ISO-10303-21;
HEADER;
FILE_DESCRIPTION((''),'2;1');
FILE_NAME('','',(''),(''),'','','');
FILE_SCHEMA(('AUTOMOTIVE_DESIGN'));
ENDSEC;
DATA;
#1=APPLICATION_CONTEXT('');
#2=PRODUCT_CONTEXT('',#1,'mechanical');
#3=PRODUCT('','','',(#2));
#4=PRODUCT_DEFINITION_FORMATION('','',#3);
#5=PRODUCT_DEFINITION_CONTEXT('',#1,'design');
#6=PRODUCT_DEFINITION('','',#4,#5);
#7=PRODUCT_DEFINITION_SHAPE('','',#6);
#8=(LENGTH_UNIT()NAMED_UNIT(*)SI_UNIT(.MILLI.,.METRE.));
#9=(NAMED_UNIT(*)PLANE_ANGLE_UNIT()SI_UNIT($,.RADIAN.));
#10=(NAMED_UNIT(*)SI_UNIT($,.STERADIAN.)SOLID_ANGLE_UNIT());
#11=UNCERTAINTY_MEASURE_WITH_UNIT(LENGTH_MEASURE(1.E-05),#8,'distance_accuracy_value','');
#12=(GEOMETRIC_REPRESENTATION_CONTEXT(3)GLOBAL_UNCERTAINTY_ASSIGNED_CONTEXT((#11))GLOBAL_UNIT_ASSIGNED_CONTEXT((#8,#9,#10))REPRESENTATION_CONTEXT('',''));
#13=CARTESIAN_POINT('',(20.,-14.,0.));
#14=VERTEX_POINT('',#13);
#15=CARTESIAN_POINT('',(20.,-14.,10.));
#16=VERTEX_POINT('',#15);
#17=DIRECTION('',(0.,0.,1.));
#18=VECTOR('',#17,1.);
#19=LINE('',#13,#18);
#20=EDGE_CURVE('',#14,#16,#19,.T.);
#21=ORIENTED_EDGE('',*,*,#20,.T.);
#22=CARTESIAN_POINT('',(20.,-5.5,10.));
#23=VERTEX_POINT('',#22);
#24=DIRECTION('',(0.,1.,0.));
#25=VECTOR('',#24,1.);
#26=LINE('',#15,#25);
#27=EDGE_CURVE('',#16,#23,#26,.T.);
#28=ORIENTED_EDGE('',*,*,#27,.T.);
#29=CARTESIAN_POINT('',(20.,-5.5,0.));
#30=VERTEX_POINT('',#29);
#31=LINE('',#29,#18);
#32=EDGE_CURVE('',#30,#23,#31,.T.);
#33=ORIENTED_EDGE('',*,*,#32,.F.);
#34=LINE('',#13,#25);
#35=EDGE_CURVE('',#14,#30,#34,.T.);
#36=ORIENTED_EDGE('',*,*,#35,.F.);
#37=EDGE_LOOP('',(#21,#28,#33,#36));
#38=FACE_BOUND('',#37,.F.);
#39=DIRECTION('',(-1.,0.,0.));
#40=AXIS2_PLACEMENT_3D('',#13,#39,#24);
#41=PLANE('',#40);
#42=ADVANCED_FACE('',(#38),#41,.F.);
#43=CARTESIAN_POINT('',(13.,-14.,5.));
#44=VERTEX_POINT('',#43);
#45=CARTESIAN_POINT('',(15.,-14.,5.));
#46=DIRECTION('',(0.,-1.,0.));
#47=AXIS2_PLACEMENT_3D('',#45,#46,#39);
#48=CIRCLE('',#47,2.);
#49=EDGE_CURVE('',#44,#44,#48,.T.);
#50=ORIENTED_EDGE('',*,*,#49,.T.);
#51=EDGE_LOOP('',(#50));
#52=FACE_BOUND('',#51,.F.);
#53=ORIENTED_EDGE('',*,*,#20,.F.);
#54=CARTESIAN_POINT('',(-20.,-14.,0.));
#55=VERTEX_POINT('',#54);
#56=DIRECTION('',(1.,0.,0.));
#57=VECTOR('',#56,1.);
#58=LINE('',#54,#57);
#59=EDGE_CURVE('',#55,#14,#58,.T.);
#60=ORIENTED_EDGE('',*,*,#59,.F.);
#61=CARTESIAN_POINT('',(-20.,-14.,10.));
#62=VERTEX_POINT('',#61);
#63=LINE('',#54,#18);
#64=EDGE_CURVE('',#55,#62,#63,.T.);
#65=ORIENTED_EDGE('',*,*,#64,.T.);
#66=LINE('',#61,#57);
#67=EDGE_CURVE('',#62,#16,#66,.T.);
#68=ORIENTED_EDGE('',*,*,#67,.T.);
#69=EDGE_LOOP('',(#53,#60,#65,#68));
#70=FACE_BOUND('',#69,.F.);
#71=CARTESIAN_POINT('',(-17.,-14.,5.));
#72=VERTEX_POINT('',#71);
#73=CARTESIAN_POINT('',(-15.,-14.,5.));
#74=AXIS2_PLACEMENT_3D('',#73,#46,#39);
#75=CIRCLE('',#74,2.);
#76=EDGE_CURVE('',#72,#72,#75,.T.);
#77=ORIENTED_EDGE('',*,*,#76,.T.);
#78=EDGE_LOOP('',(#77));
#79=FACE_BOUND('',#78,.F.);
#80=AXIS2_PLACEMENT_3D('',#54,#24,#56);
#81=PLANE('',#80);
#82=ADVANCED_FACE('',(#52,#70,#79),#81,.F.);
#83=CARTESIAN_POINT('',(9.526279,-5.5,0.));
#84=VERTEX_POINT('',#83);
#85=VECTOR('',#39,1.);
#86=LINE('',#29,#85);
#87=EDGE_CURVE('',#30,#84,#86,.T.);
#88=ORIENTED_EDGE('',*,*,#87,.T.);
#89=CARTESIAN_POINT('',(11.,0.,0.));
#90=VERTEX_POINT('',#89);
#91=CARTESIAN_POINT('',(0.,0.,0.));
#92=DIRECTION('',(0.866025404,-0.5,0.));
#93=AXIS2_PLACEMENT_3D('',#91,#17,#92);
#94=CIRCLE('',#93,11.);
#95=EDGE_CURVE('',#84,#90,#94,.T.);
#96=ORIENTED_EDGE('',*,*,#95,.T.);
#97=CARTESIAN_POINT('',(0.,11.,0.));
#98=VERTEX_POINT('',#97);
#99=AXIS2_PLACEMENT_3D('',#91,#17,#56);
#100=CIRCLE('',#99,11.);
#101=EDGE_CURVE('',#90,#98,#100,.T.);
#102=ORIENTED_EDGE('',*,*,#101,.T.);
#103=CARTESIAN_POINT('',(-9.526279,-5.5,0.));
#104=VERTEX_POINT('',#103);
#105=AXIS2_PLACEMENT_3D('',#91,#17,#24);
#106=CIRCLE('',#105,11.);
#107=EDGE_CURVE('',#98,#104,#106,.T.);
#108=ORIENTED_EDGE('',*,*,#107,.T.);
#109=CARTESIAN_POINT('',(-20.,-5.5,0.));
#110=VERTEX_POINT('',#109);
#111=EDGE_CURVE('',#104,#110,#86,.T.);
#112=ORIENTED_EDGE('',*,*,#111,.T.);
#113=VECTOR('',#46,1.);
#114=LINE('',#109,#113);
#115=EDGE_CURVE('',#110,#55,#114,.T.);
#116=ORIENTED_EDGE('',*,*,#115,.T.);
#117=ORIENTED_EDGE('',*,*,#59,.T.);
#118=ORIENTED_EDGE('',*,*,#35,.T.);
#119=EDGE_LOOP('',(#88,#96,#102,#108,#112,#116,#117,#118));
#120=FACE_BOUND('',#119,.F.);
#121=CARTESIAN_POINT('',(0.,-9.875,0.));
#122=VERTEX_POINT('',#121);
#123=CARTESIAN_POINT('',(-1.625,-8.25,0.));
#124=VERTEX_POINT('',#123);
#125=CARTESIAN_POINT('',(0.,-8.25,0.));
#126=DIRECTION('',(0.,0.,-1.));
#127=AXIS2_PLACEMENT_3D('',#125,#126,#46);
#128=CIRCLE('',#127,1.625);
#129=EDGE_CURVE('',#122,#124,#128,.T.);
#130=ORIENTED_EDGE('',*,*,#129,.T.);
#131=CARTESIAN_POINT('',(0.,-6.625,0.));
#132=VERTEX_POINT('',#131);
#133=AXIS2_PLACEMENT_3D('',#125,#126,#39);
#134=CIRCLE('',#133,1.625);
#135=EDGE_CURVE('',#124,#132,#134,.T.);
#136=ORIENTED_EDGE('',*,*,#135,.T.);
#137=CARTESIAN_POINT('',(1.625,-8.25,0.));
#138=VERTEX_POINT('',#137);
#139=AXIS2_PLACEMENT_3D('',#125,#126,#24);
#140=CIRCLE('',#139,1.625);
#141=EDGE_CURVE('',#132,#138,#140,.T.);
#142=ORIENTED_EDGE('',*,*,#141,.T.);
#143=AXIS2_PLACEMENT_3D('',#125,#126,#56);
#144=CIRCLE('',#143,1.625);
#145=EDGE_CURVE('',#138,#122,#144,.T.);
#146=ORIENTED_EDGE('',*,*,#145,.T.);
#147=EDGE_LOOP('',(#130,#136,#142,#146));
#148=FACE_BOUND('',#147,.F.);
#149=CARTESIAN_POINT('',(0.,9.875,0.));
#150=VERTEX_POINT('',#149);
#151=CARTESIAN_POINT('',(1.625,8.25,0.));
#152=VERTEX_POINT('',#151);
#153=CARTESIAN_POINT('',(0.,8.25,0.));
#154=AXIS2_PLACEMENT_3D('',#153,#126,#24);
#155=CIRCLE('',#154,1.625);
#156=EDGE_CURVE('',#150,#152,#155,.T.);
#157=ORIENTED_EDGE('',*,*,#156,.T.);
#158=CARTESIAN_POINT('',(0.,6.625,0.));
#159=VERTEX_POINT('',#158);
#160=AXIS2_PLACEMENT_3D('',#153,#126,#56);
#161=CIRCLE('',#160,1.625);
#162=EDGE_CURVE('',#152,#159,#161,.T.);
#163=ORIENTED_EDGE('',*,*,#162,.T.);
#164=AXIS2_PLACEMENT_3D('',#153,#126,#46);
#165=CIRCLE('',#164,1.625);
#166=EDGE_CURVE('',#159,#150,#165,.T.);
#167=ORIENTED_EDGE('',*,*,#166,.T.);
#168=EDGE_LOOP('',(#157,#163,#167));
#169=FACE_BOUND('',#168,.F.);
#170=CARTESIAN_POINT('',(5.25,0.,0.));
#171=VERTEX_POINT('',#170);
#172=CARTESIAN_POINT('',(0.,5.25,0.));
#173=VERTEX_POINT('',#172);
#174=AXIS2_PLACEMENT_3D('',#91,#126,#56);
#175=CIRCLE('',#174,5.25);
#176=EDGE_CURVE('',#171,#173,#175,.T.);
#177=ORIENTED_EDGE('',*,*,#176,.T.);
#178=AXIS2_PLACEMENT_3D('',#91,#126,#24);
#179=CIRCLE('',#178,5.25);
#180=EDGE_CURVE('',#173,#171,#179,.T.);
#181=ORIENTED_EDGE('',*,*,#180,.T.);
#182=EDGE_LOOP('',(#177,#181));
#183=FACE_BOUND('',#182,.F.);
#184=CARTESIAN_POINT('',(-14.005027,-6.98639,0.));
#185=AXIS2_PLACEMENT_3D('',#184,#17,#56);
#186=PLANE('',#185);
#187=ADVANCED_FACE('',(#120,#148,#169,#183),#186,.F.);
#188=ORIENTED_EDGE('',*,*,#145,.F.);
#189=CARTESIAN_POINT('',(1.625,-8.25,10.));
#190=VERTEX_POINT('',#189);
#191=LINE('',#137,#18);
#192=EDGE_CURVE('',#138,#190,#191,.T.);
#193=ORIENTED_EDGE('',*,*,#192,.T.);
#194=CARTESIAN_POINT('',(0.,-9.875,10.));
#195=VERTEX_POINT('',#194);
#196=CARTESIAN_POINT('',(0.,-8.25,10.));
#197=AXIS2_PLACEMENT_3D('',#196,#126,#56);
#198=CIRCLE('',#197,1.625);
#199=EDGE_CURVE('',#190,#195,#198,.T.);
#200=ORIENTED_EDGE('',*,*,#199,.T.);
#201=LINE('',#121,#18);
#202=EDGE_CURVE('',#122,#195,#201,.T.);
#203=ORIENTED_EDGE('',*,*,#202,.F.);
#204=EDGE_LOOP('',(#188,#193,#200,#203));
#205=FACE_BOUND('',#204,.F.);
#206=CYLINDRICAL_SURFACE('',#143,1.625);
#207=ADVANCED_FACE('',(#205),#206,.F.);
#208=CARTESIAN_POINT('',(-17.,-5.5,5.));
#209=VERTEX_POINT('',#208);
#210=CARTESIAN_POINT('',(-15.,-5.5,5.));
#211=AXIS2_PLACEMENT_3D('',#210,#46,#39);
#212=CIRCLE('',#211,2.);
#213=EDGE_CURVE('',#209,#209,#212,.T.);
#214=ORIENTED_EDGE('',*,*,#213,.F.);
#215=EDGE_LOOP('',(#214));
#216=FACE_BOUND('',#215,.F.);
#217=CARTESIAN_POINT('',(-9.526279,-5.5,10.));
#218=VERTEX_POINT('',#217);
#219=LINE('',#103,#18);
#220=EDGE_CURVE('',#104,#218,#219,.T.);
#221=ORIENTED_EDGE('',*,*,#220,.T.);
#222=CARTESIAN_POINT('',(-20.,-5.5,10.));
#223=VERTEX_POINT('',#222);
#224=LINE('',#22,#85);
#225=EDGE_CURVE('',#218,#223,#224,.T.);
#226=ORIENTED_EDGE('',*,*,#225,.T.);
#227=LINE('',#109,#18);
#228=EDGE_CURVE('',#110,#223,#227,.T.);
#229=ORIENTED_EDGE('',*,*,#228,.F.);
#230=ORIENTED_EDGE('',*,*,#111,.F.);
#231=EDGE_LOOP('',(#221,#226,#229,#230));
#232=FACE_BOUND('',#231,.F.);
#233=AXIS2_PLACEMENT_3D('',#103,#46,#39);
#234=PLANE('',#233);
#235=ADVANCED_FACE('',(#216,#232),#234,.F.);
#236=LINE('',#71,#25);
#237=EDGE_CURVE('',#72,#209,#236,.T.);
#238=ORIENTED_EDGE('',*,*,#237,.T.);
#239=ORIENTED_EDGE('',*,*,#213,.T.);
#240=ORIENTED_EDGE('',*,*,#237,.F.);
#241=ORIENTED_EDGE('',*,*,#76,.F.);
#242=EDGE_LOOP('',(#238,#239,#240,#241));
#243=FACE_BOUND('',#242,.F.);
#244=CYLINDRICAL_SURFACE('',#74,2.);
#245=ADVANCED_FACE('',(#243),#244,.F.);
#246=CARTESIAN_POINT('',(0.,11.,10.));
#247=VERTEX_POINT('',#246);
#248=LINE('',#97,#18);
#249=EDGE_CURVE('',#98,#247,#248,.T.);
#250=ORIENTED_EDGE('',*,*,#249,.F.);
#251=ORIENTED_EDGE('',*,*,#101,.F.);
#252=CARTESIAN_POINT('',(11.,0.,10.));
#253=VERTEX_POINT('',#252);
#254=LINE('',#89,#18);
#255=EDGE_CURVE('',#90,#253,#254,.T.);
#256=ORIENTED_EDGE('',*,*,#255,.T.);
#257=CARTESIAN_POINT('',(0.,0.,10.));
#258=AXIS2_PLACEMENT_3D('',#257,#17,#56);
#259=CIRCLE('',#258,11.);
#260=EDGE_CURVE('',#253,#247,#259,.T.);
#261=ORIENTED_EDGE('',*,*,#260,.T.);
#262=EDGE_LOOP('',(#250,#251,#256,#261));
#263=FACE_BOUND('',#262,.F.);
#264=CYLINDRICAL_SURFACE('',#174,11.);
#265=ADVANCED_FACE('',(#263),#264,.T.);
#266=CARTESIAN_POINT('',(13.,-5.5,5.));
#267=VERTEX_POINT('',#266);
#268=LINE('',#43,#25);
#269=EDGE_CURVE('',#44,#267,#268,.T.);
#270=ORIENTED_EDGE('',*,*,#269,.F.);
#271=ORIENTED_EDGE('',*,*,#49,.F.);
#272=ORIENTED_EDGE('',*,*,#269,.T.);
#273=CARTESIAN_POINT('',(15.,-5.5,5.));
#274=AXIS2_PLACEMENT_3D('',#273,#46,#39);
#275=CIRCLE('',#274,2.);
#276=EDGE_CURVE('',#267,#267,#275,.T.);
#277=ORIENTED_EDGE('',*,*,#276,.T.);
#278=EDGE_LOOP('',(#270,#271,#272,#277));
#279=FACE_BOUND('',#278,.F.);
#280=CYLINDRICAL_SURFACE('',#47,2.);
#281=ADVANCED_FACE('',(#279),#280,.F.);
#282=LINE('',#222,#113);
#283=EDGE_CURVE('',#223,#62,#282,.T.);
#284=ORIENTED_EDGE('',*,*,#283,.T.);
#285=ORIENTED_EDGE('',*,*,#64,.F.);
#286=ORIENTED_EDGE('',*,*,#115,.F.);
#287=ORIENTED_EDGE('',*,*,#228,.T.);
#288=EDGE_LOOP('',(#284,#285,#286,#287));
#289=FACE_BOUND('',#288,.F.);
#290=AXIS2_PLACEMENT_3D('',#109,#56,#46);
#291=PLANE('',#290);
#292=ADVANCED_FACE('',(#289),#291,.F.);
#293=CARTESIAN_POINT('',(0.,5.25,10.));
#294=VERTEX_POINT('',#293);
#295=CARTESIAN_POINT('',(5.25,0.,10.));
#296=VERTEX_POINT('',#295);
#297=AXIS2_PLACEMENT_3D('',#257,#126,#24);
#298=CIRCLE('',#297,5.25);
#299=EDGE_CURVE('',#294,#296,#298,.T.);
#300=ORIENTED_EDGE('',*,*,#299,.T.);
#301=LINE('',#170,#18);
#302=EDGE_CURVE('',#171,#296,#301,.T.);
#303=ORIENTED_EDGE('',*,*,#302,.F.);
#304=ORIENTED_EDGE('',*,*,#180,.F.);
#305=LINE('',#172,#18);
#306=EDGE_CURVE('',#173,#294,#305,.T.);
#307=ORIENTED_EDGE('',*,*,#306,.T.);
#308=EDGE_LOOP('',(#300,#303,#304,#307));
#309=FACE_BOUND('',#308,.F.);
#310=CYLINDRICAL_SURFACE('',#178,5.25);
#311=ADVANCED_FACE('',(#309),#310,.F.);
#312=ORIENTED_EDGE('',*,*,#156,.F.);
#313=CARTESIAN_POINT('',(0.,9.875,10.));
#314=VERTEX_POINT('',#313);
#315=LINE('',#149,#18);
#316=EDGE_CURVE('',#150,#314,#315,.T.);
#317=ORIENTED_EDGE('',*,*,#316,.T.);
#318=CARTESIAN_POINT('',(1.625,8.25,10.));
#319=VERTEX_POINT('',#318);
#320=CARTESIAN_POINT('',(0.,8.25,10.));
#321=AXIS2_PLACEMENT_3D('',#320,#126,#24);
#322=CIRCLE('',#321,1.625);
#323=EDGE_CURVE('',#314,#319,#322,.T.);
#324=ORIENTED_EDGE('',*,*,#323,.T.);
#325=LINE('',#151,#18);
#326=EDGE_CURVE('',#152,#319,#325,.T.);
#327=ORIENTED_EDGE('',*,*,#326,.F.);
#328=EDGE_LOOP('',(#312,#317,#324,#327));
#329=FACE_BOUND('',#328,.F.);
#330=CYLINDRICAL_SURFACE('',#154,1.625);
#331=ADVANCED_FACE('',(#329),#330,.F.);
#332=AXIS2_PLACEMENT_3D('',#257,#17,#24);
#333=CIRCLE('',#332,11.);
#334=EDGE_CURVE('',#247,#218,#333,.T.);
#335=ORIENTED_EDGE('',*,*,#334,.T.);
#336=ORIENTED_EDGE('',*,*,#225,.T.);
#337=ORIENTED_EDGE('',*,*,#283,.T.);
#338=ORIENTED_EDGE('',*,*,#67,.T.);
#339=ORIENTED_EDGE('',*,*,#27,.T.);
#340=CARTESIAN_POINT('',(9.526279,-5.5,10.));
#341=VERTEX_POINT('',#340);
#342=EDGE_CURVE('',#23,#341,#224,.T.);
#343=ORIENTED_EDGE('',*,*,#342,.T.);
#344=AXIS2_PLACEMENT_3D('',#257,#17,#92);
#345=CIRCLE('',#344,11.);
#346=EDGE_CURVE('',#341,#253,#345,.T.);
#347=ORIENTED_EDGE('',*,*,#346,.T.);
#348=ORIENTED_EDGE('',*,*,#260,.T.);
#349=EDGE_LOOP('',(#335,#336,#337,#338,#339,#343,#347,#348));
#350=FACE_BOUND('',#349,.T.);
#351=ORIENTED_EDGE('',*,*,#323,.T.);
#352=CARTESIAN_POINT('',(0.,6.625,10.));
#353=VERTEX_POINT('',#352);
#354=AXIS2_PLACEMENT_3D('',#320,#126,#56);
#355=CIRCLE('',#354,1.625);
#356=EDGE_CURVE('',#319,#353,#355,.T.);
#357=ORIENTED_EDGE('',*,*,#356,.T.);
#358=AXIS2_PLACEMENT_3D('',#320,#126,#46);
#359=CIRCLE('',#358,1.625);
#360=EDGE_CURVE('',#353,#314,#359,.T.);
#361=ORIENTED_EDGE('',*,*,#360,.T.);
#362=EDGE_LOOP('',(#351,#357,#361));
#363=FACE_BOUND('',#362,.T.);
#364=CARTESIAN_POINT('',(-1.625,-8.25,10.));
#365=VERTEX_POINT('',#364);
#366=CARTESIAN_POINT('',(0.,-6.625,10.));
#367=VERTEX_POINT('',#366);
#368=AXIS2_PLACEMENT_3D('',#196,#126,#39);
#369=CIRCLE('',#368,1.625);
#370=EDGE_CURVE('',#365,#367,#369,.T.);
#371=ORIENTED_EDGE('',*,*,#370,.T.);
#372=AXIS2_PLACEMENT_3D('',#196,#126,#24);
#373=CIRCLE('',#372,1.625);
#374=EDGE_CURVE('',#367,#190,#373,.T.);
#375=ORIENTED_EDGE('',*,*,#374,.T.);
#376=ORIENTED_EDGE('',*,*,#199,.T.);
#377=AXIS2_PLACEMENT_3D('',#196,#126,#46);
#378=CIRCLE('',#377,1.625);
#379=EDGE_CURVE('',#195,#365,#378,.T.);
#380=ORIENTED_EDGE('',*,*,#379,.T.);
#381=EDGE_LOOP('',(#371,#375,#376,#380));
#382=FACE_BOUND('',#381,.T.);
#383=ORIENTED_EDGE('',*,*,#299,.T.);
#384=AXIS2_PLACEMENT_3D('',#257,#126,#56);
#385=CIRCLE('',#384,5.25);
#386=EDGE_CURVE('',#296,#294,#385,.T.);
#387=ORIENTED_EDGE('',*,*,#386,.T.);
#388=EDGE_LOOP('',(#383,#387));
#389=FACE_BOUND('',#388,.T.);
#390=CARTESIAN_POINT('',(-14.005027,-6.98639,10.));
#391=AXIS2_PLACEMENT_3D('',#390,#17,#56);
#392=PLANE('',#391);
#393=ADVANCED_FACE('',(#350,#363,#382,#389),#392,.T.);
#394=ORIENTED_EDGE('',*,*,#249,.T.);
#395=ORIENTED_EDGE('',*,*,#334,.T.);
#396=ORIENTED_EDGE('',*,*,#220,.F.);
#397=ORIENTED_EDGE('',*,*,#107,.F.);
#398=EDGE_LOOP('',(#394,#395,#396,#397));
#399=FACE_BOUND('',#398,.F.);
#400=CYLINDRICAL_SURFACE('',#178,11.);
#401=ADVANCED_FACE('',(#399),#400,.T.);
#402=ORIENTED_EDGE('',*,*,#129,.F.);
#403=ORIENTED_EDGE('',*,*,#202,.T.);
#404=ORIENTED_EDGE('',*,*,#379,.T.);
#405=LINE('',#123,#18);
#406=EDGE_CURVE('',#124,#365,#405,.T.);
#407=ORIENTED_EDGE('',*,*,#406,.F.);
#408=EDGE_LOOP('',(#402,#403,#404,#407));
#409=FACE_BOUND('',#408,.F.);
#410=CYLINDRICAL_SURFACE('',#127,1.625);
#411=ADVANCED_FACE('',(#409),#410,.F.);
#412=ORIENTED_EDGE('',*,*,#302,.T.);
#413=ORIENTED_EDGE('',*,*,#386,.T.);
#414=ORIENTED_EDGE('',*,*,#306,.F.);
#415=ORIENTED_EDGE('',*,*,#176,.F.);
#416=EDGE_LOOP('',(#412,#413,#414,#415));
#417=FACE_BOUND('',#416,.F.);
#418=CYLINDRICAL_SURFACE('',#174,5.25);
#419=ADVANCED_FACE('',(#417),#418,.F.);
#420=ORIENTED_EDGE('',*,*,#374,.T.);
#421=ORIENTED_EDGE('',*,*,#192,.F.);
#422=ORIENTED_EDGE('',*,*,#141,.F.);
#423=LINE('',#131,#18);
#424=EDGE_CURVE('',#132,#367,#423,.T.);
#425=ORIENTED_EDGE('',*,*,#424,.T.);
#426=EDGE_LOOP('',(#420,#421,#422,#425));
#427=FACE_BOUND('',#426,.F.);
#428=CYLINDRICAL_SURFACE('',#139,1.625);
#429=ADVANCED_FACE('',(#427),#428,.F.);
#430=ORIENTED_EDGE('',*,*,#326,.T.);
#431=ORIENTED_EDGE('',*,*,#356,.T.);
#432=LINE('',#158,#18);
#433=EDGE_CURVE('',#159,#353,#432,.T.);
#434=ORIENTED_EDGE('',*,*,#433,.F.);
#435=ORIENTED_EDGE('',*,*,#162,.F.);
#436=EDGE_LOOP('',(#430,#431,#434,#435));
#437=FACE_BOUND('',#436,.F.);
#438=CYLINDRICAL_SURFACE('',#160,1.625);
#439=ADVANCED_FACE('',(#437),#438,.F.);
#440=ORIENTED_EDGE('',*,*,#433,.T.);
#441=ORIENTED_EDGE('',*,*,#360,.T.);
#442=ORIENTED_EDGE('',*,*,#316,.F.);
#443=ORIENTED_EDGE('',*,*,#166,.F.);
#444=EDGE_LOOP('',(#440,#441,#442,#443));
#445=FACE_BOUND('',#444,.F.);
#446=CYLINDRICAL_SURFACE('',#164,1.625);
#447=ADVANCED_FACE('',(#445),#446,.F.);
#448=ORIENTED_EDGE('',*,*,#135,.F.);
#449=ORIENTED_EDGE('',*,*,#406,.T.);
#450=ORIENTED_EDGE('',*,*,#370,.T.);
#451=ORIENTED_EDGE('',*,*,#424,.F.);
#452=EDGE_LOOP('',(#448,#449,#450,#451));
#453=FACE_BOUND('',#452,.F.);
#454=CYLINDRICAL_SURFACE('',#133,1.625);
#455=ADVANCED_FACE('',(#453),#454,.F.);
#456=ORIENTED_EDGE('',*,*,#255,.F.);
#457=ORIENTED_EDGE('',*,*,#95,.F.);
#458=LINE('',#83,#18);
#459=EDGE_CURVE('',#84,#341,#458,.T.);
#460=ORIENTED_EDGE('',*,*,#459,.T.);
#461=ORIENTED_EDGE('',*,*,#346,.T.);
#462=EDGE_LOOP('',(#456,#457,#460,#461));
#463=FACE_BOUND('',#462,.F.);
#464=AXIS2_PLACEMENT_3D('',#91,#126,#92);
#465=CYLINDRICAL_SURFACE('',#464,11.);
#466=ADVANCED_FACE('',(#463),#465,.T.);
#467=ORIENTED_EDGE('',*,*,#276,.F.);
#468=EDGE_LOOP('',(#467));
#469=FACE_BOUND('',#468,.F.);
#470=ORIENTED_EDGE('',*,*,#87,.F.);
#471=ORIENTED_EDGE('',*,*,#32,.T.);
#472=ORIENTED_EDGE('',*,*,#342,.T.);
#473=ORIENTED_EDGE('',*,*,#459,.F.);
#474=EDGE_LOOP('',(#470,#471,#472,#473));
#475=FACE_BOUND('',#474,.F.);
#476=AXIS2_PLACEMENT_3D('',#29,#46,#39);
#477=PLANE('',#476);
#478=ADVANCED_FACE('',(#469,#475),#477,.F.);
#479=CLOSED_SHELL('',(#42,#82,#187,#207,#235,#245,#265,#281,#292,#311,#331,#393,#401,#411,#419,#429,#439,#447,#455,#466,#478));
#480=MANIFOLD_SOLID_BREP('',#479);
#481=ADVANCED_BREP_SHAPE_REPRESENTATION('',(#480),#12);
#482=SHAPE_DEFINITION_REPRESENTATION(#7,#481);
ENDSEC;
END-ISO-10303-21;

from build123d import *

# Parameters (mm, degrees)
F1_DEPTH = 10
F3_DEPTH = 10


with BuildPart() as f1:
    # F0 (on Top) → F1 (new body)
    with BuildSketch(Plane.XY):
        with BuildLine():
            ThreePointArc((-7.2758161054, -8.25), (-8.5128273031, -6.966474812), (-9.5262794416, -5.5))
            Line((-9.5262794416, -5.5), (-20, -5.5))
            Line((-20, -5.5), (-20, -8.25))
            Line((-20, -8.25), (-7.2758161054, -8.25))
        make_face()
        with BuildLine():
            ThreePointArc((0, -11), (-3.8890872965, -10.2895578136), (-7.2758161054, -8.25))
            Line((-7.2758161054, -8.25), (-20, -8.25))
            Line((-20, -8.25), (-20, -11))
            Line((-20, -11), (0, -11))
        make_face()
        with BuildLine():
            Line((0, -5.5), (-9.5262794416, -5.5))
            ThreePointArc((-9.5262794416, -5.5), (-8.5128273031, -6.966474812), (-7.2758161054, -8.25))
            Line((-7.2758161054, -8.25), (-1.625, -8.25))
            ThreePointArc((-1.625, -8.25), (-1.1490485194, -7.1009514806), (0, -6.625))
            Line((0, -6.625), (0, -5.5))
        make_face()
        with BuildLine():
            Line((-1.625, -8.25), (-7.2758161054, -8.25))
            ThreePointArc((-7.2758161054, -8.25), (-3.8890872965, -10.2895578136), (0, -11))
            Line((0, -11), (0, -9.875))
            ThreePointArc((0, -9.875), (-1.1490485194, -9.3990485194), (-1.625, -8.25))
        make_face()
        with BuildLine():
            ThreePointArc((0, -11), (3.8890872965, -10.2895578136), (7.2758161054, -8.25))
            Line((7.2758161054, -8.25), (1.625, -8.25))
            ThreePointArc((1.625, -8.25), (1.1490485194, -9.3990485194), (0, -9.875))
            Line((0, -9.875), (0, -11))
        make_face()
        with BuildLine():
            ThreePointArc((7.2758161054, -8.25), (8.5128273031, -6.966474812), (9.5262794416, -5.5))
            Line((9.5262794416, -5.5), (0, -5.5))
            Line((0, -5.5), (0, -6.625))
            ThreePointArc((0, -6.625), (1.1490485194, -7.1009514806), (1.625, -8.25))
            Line((1.625, -8.25), (7.2758161054, -8.25))
        make_face()
        with BuildLine():
            Line((20, -5.5), (9.5262794416, -5.5))
            ThreePointArc((9.5262794416, -5.5), (8.5128273031, -6.966474812), (7.2758161054, -8.25))
            Line((7.2758161054, -8.25), (20, -8.25))
            Line((20, -8.25), (20, -5.5))
        make_face()
        with BuildLine():
            Line((20, -8.25), (7.2758161054, -8.25))
            ThreePointArc((7.2758161054, -8.25), (3.8890872965, -10.2895578136), (0, -11))
            Line((0, -11), (20, -11))
            Line((20, -11), (20, -8.25))
        make_face()
        with BuildLine():
            ThreePointArc((9.5262794416, -5.5), (10.6251840892, -2.8470094961), (11, 0))
            Line((11, 0), (5.25, 0))
            ThreePointArc((5.25, 0), (-3.7123106012, -3.7123106012), (0, 5.25))
            Line((0, 5.25), (0, 5.5))
            Line((0, 5.5), (0, 6.625))
            ThreePointArc((0, 6.625), (-1.625, 8.25), (0, 9.875))
            Line((0, 9.875), (0, 11))
            ThreePointArc((0, 11), (-9.5262794416, 5.5), (-9.5262794416, -5.5))
            Line((-9.5262794416, -5.5), (0, -5.5))
            Line((0, -5.5), (9.5262794416, -5.5))
        make_face()
        with BuildLine():
            Line((5.25, 0), (11, 0))
            ThreePointArc((11, 0), (7.7781745931, 7.7781745931), (0, 11))
            Line((0, 11), (0, 9.875))
            ThreePointArc((0, 9.875), (1.1490485194, 9.3990485194), (1.625, 8.25))
            ThreePointArc((1.625, 8.25), (1.1490485194, 7.1009514806), (0, 6.625))
            Line((0, 6.625), (0, 5.5))
            Line((0, 5.5), (0, 5.25))
            ThreePointArc((0, 5.25), (3.7123106012, 3.7123106012), (5.25, 0))
        make_face()
        Polygon((20, -11), (0, -11), (-20, -11), (-20, -14), (20, -14), align=None)
    extrude(amount=F1_DEPTH)

    # F2 (on face) → F3 (cut)
    with BuildSketch(Plane.XZ.offset(14)):
        with BuildLine():
            Line((-17, 5), (-13, 5))
            ThreePointArc((-13, 5), (-15, 7), (-17, 5))
        make_face()
        with BuildLine():
            ThreePointArc((-17, 5), (-15, 3), (-13, 5))
            Line((-13, 5), (-17, 5))
        make_face()
        with BuildLine():
            Line((13, 5), (17, 5))
            ThreePointArc((17, 5), (15, 7), (13, 5))
        make_face()
        with BuildLine():
            ThreePointArc((13, 5), (15, 3), (17, 5))
            Line((17, 5), (13, 5))
        make_face()
    extrude(amount=-F3_DEPTH, mode=Mode.SUBTRACT)


solid = f1.part
